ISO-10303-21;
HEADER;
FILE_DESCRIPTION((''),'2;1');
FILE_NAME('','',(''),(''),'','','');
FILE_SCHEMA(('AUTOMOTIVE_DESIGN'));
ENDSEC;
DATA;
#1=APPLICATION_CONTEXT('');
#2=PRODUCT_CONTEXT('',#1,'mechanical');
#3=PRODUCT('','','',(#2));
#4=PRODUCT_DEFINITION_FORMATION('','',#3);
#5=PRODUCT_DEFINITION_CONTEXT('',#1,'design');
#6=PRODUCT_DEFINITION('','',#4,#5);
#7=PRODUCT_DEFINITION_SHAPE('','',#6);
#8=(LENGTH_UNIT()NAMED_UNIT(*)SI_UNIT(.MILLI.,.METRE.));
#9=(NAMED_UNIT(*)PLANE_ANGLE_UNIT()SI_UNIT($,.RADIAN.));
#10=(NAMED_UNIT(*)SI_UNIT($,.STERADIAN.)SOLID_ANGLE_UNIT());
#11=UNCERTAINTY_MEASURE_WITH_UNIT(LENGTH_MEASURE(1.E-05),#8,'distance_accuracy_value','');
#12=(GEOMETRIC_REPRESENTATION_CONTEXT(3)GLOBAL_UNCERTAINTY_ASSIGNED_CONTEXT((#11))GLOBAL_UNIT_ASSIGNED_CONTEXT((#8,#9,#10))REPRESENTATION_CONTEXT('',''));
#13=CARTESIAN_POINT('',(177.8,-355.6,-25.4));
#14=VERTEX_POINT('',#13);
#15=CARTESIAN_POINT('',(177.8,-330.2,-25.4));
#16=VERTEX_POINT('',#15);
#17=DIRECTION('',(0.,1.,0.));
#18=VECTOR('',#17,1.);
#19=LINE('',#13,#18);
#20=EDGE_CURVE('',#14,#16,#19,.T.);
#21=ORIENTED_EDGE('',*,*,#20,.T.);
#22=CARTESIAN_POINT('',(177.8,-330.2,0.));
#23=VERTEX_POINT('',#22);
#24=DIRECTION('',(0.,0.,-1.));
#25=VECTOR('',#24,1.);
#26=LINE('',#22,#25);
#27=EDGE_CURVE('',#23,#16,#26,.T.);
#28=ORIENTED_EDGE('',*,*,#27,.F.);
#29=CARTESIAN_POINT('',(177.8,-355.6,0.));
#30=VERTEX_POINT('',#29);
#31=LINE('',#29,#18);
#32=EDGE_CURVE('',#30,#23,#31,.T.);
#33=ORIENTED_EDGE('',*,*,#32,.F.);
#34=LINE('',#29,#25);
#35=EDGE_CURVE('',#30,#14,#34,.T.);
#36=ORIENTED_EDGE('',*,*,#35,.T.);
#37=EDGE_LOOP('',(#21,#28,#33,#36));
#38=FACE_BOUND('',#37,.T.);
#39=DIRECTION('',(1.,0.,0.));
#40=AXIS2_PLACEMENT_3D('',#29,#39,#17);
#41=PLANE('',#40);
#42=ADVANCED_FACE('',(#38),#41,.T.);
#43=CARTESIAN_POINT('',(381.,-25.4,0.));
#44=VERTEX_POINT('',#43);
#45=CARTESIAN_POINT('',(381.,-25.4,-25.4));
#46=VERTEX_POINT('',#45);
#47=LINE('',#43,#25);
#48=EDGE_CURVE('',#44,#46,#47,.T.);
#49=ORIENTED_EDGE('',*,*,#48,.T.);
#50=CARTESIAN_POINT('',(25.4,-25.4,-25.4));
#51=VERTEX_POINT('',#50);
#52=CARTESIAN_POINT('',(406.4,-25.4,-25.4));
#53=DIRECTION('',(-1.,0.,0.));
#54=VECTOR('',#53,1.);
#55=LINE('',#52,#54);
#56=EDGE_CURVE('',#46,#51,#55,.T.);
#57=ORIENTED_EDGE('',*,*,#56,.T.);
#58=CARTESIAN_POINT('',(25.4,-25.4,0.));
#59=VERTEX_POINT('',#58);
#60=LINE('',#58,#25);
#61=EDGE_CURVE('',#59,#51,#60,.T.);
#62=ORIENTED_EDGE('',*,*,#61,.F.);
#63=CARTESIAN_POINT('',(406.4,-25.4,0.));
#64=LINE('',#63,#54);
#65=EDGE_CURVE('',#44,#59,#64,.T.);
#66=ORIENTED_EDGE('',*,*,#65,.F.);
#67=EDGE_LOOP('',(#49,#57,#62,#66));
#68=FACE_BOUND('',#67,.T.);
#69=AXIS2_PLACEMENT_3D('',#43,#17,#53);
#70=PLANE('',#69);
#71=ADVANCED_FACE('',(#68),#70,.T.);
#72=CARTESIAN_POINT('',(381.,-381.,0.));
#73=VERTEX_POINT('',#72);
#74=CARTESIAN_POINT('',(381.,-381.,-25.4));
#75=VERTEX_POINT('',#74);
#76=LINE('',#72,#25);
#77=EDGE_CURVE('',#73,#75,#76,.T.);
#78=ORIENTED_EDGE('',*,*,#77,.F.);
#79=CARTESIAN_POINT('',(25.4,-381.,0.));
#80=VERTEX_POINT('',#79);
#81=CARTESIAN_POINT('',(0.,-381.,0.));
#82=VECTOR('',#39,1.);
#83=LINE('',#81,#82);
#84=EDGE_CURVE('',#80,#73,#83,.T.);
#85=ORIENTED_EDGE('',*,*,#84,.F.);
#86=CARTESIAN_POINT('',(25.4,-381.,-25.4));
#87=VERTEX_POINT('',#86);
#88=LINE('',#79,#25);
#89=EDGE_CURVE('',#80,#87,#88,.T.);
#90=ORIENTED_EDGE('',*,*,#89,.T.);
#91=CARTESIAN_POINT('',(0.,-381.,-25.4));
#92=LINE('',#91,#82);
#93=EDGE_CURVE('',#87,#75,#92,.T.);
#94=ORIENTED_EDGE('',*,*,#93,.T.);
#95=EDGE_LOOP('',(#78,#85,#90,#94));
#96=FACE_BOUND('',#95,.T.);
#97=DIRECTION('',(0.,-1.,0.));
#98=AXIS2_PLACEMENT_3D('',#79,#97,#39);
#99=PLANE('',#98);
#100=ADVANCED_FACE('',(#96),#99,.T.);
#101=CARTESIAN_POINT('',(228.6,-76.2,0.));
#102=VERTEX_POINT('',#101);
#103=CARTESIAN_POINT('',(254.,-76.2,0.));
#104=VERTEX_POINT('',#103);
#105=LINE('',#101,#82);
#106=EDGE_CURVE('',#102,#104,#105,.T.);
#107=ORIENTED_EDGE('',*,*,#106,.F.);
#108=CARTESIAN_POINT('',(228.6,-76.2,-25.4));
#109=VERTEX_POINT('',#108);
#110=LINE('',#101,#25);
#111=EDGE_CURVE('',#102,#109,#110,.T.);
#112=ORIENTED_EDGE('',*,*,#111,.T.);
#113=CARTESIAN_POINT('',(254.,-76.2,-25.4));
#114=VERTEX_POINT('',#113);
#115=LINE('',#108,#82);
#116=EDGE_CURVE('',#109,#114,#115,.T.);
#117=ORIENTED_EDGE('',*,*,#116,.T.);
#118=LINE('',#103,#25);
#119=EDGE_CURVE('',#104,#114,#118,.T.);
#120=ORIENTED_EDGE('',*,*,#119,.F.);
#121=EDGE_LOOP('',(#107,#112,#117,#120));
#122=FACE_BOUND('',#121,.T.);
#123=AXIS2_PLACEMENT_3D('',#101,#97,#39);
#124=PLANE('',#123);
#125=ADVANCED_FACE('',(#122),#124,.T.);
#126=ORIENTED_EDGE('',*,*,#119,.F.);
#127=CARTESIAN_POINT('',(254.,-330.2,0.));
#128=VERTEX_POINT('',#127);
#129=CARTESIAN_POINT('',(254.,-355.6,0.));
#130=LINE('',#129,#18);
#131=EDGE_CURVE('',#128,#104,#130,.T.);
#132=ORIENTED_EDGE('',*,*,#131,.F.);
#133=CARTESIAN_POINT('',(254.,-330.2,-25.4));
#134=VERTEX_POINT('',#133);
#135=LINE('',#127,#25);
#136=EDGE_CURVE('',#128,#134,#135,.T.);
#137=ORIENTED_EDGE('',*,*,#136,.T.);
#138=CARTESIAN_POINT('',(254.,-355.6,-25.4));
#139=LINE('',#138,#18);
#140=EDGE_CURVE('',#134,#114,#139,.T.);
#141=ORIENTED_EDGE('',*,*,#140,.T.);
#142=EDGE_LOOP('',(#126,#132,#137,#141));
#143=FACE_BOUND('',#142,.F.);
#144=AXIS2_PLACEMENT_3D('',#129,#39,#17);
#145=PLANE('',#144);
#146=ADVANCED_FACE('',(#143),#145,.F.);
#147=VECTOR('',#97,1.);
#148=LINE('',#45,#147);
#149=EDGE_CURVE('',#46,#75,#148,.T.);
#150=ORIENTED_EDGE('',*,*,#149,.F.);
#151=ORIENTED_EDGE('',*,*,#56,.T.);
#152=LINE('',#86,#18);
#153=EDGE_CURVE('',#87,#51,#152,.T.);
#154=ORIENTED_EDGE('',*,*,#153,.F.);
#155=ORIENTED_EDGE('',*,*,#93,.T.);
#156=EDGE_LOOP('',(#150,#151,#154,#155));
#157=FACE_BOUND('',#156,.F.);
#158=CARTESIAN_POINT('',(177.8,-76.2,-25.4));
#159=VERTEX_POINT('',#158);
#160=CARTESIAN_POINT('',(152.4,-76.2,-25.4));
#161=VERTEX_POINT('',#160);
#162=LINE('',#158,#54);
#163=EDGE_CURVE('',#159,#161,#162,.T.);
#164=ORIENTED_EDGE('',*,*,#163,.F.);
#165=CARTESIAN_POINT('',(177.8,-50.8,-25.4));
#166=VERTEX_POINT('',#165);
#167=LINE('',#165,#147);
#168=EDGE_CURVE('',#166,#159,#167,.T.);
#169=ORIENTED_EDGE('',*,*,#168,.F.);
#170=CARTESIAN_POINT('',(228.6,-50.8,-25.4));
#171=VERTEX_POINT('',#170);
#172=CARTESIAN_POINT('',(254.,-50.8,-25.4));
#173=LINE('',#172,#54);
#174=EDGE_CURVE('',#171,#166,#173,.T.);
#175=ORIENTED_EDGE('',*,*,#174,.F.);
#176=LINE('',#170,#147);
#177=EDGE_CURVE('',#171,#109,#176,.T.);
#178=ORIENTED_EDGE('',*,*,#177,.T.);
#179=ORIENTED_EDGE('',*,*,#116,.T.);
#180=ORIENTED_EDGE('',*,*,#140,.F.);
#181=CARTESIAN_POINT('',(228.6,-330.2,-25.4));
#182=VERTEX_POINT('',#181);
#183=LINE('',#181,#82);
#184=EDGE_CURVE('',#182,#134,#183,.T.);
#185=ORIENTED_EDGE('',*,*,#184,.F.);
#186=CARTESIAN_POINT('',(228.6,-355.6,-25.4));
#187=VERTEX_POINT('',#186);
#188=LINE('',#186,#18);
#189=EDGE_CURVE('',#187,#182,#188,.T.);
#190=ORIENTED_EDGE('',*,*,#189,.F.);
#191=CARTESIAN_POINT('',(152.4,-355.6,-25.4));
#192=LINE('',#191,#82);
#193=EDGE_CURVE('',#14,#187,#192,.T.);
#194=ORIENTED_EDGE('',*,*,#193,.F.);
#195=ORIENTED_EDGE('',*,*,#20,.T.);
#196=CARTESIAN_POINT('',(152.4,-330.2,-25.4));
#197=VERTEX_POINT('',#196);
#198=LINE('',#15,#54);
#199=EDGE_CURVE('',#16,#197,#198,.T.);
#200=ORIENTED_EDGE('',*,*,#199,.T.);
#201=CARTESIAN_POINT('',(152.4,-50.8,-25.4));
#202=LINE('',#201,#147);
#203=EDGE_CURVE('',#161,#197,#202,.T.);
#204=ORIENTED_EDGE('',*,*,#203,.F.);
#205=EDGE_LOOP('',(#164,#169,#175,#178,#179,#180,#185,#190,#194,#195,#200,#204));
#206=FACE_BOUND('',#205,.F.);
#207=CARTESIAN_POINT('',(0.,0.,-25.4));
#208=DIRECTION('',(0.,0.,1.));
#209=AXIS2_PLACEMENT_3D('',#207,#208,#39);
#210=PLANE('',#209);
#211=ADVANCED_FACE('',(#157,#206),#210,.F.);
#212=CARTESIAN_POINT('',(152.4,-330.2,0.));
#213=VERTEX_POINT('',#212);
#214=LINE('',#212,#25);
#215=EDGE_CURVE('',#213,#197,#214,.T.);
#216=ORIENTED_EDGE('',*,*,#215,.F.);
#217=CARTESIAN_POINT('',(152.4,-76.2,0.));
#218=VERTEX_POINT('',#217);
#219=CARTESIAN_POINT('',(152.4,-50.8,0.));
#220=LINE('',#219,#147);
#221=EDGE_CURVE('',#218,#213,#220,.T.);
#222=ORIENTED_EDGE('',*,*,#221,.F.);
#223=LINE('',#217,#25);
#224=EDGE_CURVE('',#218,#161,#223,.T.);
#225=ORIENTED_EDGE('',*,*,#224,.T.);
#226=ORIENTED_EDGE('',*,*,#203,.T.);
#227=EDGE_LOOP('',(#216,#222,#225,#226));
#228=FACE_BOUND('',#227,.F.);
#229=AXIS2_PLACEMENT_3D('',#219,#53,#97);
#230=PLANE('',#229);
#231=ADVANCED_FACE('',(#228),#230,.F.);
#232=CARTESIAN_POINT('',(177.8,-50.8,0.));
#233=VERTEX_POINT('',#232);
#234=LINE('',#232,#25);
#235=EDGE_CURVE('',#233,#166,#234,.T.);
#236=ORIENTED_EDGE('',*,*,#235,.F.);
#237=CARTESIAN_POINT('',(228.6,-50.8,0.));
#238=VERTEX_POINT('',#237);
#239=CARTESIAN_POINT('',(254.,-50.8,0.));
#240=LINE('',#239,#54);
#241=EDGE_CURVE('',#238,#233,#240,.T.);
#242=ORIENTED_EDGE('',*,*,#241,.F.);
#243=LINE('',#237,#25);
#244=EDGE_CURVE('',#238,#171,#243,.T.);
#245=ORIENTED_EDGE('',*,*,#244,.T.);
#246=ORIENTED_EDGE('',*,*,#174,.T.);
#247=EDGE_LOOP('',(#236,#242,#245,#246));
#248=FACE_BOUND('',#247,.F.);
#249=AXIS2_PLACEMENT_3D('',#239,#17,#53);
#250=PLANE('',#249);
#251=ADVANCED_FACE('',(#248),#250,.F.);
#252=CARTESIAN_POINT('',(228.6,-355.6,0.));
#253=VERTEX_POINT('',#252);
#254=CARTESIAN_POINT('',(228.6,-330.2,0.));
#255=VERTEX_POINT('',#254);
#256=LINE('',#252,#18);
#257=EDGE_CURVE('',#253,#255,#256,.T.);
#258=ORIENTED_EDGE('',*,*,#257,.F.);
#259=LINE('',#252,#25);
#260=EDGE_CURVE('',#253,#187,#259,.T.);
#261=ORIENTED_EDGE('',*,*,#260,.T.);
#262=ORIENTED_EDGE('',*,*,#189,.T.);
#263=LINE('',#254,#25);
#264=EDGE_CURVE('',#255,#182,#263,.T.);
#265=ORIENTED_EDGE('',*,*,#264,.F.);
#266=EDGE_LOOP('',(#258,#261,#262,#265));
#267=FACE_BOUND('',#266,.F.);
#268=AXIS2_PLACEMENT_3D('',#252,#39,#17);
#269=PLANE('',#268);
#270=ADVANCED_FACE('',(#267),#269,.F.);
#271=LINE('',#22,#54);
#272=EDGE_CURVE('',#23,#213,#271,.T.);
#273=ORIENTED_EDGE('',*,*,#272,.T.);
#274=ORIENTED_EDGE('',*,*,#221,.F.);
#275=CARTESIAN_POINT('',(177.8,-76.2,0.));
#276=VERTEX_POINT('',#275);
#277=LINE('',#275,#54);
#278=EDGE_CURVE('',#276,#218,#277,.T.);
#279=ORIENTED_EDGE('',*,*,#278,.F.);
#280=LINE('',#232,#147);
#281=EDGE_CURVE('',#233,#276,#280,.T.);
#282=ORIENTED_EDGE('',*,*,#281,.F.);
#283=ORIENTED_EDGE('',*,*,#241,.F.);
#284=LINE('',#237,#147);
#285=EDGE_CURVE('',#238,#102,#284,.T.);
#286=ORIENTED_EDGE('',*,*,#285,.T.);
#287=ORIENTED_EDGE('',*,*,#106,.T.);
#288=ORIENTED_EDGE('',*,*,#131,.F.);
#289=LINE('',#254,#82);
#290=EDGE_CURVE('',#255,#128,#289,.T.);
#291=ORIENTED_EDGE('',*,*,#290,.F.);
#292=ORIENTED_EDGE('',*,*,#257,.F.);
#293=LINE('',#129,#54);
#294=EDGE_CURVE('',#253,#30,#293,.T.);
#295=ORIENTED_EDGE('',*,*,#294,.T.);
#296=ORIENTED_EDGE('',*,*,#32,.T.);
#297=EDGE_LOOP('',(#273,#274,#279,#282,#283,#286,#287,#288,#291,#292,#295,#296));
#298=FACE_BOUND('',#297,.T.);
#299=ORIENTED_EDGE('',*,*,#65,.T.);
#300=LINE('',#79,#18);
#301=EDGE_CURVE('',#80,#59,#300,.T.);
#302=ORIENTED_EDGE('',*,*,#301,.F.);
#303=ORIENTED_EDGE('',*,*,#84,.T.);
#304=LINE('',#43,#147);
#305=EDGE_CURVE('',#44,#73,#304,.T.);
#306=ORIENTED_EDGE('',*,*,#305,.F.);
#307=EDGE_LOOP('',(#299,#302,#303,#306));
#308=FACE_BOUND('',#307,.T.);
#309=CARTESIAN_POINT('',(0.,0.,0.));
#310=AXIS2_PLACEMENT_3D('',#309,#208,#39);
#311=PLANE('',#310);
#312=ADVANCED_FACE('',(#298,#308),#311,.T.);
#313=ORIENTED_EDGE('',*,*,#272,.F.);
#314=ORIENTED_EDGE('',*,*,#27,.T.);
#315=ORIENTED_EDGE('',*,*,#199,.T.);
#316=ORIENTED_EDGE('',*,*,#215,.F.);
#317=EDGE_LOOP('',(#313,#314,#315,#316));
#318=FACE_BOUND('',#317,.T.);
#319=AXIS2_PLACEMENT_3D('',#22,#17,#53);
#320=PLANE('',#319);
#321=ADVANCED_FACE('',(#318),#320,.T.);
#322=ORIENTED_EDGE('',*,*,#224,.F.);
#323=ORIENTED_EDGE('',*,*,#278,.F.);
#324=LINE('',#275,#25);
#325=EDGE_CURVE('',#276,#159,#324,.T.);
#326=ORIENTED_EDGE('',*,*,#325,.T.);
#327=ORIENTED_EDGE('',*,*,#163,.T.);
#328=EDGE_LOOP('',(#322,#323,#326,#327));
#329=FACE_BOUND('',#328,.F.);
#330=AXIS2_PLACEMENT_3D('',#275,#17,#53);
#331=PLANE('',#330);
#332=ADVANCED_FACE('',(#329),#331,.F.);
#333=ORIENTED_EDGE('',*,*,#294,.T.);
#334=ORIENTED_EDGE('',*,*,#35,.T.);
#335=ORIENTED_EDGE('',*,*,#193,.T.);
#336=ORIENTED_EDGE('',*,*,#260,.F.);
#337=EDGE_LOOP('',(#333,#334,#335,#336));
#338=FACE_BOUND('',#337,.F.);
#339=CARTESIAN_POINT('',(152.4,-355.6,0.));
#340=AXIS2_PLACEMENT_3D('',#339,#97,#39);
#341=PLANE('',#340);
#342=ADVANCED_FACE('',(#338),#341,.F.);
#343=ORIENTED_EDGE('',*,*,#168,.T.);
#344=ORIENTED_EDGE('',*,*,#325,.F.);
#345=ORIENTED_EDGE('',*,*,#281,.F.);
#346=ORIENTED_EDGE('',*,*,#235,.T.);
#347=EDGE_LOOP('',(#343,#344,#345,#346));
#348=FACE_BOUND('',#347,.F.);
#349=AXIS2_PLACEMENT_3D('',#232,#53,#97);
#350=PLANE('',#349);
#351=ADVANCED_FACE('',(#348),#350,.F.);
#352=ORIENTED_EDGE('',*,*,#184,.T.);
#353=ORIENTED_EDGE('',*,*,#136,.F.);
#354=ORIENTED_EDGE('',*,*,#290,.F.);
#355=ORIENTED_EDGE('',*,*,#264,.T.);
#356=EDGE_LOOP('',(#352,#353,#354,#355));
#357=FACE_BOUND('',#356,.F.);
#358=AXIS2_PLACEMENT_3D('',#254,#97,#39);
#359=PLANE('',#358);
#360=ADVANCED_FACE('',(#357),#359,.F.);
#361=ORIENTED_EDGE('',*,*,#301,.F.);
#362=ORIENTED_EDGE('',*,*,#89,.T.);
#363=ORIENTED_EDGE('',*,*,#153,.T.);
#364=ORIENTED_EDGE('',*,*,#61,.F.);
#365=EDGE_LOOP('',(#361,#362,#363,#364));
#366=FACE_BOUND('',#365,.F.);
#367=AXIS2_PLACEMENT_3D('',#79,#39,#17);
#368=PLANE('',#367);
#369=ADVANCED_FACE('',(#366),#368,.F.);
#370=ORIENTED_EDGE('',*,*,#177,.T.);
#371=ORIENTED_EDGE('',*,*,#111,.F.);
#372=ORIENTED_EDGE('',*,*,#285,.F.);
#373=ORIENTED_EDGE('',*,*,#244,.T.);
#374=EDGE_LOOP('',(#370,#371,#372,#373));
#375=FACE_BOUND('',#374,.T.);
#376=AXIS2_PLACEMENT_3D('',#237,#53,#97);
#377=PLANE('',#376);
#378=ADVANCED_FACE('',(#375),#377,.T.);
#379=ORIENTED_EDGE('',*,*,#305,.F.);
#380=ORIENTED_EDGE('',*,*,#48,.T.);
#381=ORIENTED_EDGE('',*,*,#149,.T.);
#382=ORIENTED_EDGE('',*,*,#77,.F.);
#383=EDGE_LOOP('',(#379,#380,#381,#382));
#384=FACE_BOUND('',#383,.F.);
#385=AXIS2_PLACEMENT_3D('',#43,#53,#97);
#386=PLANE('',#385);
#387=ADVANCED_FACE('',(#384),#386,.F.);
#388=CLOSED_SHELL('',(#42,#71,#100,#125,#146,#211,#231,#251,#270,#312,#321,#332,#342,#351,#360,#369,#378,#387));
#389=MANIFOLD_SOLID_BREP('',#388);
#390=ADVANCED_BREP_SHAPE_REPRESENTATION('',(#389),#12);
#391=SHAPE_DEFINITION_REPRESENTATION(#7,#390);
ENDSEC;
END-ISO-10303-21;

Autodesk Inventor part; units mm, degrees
ref_plane "YZ Plane" through (0, 0, 0) normal (1, 0, 0) x (0, 1, 0)
ref_plane "XZ Plane" through (0, 0, 0) normal (0, 1, 0) x (-1, 0, 0)
ref_plane "XY Plane" through (0, 0, 0) normal (0, 0, 1) x (1, 0, 0)
sketch "Sketch1" plane through (0, 0, 0) normal (0, 0, 1) x (1, 0, 0)
  line L0 (0, 0) -> (812.8, 0) construction
  line L1 (812.8, 0) -> (812.8, -406.4) construction
  line L2 (812.8, -406.4) -> (0, -406.4) construction
  line L3 (0, -406.4) -> (0, 0) construction
  line L4 (0, 0) -> (406.4, 0)
  line L5 (406.4, 0) -> (406.4, -25.4)
  line L6 (406.4, -25.4) -> (0, -25.4)
  line L7 (0, -25.4) -> (0, 0)
  line L8 (406.4, -25.4) -> (381, -25.4)
  line L9 (381, -25.4) -> (381, -406.4)
  line L10 (381, -406.4) -> (406.4, -406.4)
  line L11 (406.4, -406.4) -> (406.4, -25.4)
  line L12 (381, -406.4) -> (0, -406.4)
  line L13 (0, -406.4) -> (0, -381)
  line L14 (0, -381) -> (381, -381)
  line L15 (381, -381) -> (381, -406.4)
  line L16 (0, -381) -> (25.4, -381)
  line L17 (25.4, -381) -> (25.4, -25.4)
  line L18 (25.4, -25.4) -> (0, -25.4)
  line L19 (0, -25.4) -> (0, -381)
  dimension "d1" = 812.8
  dimension "d5" = 406.4
  dimension "d6" = 25.4
  dimension "d7" = 25.4
  dimension "d8" = 381
  dimension "d9" = 381
  dimension "d10" = 25.4
  dimension "d11" = 25.4
extrude "Extrusion1" add sketch "Sketch1" against normal blind 25.4 contours L6 L9 L14 L17
sketch "Sketch3" plane through (0, 0, 0) normal (0, 0, 1) x (1, 0, 0)
  line L0 (-406.4, 0) -> (406.4, 0) construction
  line L1 (406.4, 0) -> (406.4, -406.4) construction
  line L2 (406.4, -406.4) -> (-406.4, -406.4) construction
  line L3 (-406.4, -406.4) -> (-406.4, 0) construction
  line L4 (406.4, 0) -> (406.4, -406.4)
  line L5 (381, -381) -> (25.4, -381) projected
  line L6 (203.2, -381) -> (203.2, -355.6)
  line L7 (203.2, -355.6) -> (254, -355.6)
  line L8 (254, -355.6) -> (254, -50.8)
  line L9 (254, -50.8) -> (152.4, -50.8)
  line L10 (152.4, -50.8) -> (152.4, -355.6)
  line L11 (152.4, -355.6) -> (203.2, -355.6)
  point P0 (0, 0)
  dimension "d36" = 812.8
  dimension "d45" = 25.4
  dimension "d46" = 50.8
  dimension "d47" = 304.8
  dimension "d48" = 101.6
extrude "Extrusion3" cut sketch "Sketch3" against normal blind 25.4
sketch "Sketch4" plane through (0, 0, 0) normal (0, 0, 1) x (1, 0, 0)
  line L0 (254, -50.8) -> (152.4, -50.8) projected
  line L1 (152.4, -50.8) -> (177.8, -50.8)
  line L2 (177.8, -50.8) -> (177.8, -76.2)
  line L3 (177.8, -76.2) -> (152.4, -76.2)
  line L4 (152.4, -76.2) -> (152.4, -50.8)
  line L5 (254, -50.8) -> (228.6, -50.8)
  line L6 (228.6, -50.8) -> (228.6, -76.2)
  line L7 (228.6, -76.2) -> (254, -76.2)
  line L8 (254, -76.2) -> (254, -50.8)
  line L9 (152.4, -355.6) -> (254, -355.6) projected
  line L10 (152.4, -355.6) -> (177.8, -355.6)
  line L11 (177.8, -355.6) -> (177.8, -330.2)
  line L12 (177.8, -330.2) -> (152.4, -330.2)
  line L13 (152.4, -330.2) -> (152.4, -355.6)
  line L14 (254, -355.6) -> (228.6, -355.6)
  line L15 (228.6, -355.6) -> (228.6, -330.2)
  line L16 (228.6, -330.2) -> (254, -330.2)
  line L17 (254, -330.2) -> (254, -355.6)
  point P0 (0, 0)
  dimension "d51" = 25.4
  dimension "d52" = 25.4
  dimension "d53" = 25.4
  dimension "d54" = 25.4
  dimension "d55" = 25.4
  dimension "d56" = 25.4
  dimension "d57" = 25.4
  dimension "d58" = 25.4
extrude "Extrusion4" add sketch "Sketch4" against normal blind 25.4
properties part number "JukeBox Top Panel"
